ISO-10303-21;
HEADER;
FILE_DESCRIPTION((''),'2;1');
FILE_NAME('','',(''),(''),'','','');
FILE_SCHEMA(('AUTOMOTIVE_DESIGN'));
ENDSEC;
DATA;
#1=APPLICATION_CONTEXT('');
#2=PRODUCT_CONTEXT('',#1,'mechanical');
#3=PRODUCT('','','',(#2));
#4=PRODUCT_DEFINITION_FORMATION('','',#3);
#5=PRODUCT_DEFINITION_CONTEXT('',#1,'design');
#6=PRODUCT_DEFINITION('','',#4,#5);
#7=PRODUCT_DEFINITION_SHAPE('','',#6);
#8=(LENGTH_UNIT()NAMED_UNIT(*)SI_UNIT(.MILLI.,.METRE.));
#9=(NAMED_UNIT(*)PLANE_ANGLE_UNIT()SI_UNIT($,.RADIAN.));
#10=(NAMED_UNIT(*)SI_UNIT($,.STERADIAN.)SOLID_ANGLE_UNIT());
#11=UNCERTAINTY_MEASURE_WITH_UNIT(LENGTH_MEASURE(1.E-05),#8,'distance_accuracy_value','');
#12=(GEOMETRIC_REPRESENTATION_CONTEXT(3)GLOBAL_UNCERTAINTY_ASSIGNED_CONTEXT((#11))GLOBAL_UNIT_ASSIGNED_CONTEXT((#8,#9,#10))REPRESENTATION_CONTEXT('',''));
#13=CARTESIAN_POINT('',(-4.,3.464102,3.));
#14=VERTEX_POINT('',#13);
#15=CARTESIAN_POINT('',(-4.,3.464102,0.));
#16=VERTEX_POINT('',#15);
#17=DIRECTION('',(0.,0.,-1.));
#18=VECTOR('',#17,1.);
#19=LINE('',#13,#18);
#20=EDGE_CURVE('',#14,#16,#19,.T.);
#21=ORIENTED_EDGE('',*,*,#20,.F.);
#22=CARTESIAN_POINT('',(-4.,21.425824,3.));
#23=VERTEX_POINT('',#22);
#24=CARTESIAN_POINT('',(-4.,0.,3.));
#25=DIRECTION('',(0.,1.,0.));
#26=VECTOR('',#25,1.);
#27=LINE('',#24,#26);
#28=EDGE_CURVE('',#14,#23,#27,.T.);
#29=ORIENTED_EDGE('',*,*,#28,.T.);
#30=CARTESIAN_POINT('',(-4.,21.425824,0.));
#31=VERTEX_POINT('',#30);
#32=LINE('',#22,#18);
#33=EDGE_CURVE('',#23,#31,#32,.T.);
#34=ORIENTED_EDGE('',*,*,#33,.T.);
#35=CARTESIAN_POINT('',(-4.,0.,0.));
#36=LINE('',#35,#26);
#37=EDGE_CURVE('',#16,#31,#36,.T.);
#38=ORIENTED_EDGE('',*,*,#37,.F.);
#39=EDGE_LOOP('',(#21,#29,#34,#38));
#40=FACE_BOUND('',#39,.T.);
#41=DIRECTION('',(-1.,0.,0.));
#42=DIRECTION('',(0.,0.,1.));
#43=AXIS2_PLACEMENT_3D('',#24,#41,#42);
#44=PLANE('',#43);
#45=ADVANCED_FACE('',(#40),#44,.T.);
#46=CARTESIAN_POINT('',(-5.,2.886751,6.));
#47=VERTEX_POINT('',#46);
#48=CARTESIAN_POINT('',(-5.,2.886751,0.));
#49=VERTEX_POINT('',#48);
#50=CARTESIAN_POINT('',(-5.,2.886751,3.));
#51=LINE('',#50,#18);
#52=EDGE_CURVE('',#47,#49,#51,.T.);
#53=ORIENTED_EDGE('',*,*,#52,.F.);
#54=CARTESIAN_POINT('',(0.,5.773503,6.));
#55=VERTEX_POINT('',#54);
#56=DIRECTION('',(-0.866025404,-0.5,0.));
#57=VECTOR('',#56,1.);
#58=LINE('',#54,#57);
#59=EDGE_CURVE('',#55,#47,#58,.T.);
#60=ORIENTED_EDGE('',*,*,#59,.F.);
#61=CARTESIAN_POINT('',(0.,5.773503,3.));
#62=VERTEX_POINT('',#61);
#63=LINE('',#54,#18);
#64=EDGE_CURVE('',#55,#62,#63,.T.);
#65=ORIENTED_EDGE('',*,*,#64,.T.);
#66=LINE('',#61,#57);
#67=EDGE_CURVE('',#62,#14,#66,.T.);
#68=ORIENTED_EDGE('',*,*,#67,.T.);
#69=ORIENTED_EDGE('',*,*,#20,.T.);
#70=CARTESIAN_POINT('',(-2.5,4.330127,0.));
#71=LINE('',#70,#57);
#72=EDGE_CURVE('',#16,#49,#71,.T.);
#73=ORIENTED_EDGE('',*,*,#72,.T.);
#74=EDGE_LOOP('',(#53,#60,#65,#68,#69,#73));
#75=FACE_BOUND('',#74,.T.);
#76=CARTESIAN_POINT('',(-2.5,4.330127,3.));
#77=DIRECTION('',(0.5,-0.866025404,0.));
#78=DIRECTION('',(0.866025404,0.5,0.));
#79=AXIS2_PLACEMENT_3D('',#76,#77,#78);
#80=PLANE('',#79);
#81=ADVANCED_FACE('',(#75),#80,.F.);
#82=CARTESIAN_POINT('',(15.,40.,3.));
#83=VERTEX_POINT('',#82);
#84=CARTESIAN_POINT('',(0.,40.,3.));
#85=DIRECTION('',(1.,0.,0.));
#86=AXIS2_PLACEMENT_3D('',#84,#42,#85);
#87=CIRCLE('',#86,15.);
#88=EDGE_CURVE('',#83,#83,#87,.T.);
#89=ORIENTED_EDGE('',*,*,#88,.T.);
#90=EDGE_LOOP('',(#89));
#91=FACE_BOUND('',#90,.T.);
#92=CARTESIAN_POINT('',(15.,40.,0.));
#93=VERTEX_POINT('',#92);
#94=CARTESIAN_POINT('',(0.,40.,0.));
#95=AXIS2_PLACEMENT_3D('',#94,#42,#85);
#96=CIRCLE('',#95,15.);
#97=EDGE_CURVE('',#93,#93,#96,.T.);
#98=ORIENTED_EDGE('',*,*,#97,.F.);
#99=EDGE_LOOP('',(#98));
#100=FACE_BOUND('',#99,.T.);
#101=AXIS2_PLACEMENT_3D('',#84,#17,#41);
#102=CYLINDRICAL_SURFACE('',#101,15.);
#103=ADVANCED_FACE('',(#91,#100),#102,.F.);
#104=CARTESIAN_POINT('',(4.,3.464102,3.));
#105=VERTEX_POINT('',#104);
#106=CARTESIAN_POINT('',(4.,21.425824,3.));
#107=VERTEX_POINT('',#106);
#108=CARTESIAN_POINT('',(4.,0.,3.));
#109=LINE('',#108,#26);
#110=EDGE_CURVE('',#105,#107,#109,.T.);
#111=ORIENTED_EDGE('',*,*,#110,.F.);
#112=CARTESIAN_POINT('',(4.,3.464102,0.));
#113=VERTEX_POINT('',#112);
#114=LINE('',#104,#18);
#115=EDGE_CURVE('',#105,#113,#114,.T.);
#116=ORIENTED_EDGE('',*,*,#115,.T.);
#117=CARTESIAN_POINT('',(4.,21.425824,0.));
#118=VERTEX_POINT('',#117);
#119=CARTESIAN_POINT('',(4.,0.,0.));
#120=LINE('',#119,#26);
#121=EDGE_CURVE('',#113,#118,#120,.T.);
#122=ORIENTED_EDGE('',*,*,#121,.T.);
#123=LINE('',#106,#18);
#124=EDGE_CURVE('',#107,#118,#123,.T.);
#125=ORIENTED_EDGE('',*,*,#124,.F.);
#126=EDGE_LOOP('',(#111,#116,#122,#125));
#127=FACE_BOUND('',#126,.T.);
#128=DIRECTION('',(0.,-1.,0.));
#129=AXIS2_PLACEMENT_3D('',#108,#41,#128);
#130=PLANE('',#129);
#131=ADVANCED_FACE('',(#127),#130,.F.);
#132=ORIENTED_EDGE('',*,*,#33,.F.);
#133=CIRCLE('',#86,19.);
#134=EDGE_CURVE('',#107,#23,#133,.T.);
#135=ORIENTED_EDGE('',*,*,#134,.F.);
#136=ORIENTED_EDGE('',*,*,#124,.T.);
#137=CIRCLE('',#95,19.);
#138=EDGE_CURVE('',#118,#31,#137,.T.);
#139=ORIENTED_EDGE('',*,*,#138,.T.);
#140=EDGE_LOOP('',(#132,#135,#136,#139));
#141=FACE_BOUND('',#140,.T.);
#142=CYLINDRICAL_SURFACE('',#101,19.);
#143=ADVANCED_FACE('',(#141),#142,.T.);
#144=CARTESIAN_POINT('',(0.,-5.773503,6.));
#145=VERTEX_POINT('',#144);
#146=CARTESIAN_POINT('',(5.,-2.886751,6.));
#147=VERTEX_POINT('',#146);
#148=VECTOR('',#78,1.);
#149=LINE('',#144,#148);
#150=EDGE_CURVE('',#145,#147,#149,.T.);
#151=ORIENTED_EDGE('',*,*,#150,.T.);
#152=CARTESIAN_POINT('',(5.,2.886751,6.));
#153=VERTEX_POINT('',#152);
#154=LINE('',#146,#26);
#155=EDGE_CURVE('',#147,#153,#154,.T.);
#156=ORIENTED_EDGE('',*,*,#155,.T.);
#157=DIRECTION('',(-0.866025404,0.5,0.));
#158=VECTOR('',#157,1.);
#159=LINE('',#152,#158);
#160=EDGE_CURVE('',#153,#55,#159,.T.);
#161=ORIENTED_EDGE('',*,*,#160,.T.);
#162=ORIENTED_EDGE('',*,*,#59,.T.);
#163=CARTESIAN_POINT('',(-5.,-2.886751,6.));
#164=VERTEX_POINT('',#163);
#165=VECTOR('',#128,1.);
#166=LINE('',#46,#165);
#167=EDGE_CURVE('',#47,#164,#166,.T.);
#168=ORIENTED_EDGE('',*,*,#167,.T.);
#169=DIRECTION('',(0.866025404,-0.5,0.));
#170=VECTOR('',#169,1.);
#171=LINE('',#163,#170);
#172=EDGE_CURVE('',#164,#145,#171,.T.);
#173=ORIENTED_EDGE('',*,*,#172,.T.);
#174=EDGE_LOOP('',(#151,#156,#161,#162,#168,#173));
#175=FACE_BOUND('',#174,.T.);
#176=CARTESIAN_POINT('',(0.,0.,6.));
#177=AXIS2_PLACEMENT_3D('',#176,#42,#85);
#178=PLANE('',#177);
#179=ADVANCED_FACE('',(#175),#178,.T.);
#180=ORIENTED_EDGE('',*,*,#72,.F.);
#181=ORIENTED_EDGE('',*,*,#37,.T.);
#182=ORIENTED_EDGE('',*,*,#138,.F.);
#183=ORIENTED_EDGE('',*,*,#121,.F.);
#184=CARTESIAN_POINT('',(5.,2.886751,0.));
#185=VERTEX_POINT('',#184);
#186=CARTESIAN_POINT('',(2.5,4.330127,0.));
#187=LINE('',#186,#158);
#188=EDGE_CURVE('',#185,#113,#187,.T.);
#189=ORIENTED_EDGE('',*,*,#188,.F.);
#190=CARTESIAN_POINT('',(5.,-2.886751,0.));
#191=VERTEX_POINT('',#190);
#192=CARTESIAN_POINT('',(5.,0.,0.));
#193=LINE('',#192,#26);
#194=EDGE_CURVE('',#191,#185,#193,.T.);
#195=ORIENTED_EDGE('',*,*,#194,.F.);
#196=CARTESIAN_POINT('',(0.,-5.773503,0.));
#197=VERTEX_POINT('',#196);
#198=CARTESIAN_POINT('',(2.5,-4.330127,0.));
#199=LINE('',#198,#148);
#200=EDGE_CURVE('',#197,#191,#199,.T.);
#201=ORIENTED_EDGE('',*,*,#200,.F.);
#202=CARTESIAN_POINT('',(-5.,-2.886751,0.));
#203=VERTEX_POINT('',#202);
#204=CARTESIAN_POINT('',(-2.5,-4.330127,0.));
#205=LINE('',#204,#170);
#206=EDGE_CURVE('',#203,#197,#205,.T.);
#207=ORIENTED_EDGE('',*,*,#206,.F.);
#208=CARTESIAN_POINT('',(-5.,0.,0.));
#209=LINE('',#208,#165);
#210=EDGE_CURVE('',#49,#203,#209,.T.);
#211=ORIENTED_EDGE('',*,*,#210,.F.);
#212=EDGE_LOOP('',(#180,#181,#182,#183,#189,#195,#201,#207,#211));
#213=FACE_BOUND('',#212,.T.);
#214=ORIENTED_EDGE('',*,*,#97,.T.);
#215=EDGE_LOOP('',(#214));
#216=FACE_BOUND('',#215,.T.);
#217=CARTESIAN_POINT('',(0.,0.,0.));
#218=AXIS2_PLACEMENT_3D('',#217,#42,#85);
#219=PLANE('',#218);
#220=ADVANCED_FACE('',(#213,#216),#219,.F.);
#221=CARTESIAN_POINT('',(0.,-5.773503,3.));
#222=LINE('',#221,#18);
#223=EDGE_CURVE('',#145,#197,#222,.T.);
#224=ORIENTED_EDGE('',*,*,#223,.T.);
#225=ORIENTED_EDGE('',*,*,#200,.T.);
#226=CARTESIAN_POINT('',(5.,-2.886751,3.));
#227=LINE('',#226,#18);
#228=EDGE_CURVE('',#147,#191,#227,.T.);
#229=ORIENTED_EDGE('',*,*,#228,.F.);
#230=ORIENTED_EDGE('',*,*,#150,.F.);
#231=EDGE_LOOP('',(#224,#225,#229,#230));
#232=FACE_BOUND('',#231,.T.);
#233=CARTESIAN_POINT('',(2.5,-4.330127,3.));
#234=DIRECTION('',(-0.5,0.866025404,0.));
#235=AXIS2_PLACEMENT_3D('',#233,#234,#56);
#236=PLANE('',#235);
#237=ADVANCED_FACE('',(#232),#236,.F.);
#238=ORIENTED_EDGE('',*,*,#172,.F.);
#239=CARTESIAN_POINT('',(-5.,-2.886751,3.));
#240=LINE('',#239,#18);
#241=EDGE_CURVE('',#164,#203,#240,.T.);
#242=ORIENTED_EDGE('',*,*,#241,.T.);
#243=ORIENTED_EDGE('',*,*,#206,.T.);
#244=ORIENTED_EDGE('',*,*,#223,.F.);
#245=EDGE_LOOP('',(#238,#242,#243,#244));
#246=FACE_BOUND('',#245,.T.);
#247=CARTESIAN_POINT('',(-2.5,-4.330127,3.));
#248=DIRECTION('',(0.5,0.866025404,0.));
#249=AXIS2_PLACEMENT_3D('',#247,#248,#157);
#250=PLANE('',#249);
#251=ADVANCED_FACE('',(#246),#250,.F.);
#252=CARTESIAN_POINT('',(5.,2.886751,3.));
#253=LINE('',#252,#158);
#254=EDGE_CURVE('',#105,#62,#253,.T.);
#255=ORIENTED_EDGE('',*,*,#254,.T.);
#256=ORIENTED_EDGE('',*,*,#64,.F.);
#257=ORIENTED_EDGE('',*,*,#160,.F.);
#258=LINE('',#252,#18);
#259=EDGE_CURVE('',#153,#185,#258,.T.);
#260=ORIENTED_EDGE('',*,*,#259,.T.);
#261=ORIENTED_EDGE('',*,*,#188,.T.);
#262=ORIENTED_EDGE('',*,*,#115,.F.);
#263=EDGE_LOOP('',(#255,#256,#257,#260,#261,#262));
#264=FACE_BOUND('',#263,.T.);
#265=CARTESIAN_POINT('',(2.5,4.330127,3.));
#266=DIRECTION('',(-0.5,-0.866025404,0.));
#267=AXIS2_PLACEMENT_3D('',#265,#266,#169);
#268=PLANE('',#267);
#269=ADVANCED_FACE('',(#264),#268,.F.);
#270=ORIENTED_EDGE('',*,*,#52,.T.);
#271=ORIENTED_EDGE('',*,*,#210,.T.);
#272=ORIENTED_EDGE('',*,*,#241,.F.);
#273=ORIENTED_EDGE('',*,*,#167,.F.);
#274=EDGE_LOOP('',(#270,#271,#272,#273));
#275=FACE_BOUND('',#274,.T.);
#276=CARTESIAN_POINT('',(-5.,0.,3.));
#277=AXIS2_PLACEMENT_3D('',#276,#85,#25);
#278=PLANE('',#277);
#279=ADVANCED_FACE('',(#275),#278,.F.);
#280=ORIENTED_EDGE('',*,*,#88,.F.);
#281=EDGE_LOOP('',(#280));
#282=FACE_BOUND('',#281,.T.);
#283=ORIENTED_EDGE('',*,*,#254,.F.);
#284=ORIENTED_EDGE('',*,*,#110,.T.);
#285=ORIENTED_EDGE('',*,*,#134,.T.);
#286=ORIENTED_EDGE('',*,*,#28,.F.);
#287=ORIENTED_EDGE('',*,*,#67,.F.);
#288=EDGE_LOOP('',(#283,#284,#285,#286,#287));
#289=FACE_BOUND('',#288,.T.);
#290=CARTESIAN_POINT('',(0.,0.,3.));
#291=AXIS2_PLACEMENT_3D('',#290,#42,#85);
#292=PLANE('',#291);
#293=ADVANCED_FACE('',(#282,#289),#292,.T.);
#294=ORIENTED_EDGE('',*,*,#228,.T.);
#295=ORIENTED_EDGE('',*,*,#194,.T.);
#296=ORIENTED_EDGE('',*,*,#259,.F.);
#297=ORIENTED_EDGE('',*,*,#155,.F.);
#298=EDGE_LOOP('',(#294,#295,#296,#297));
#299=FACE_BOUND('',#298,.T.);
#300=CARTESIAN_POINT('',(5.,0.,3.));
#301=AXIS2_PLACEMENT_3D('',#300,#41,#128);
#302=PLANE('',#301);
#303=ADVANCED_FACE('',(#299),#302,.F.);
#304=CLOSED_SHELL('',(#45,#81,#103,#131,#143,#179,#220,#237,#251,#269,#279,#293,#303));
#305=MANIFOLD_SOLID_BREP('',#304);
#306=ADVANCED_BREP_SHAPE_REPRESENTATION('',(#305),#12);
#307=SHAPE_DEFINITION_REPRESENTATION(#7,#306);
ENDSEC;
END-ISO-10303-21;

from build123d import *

# Parameters (mm, degrees)
SKETCH1_R           = 19
SKETCH1_R_2         = 15
BOSS_EXTRUDE1_DEPTH = 3
BOSS_EXTRUDE2_DEPTH = 3


with BuildPart() as part:
    # Sketch1 → Boss-Extrude1 (new body)
    with BuildSketch(Plane.XY):
        Polygon((5, -2.886751346), (5, 2.886751346), (0, 5.773502692), (-5, 2.886751346), (-5, -2.886751346), (0, -5.773502692), align=None)
        with BuildLine():
            Line((-4, 3.464101615), (0, 5.773502692))
            Line((0, 5.773502692), (4, 3.464101615))
            Line((4, 3.464101615), (4, 21.425824379))
            ThreePointArc((4, 21.425824379), (0, 21), (-4, 21.425824379))
            Line((-4, 21.425824379), (-4, 3.464101615))
        make_face()
        with Locations((0, 40)):
            Circle(SKETCH1_R)
        with Locations((0, 40)):
            Circle(SKETCH1_R_2, mode=Mode.SUBTRACT)
    extrude(amount=BOSS_EXTRUDE1_DEPTH)

    # Sketch2 → Boss-Extrude2 (add)
    with BuildSketch(Plane.XY.offset(3)):
        Polygon((0, -5.773502692), (5, -2.886751346), (5, 2.886751346), (0, 5.773502692), (-5, 2.886751346), (-5, -2.886751346), align=None)
    extrude(amount=BOSS_EXTRUDE2_DEPTH)


solid = part.part
